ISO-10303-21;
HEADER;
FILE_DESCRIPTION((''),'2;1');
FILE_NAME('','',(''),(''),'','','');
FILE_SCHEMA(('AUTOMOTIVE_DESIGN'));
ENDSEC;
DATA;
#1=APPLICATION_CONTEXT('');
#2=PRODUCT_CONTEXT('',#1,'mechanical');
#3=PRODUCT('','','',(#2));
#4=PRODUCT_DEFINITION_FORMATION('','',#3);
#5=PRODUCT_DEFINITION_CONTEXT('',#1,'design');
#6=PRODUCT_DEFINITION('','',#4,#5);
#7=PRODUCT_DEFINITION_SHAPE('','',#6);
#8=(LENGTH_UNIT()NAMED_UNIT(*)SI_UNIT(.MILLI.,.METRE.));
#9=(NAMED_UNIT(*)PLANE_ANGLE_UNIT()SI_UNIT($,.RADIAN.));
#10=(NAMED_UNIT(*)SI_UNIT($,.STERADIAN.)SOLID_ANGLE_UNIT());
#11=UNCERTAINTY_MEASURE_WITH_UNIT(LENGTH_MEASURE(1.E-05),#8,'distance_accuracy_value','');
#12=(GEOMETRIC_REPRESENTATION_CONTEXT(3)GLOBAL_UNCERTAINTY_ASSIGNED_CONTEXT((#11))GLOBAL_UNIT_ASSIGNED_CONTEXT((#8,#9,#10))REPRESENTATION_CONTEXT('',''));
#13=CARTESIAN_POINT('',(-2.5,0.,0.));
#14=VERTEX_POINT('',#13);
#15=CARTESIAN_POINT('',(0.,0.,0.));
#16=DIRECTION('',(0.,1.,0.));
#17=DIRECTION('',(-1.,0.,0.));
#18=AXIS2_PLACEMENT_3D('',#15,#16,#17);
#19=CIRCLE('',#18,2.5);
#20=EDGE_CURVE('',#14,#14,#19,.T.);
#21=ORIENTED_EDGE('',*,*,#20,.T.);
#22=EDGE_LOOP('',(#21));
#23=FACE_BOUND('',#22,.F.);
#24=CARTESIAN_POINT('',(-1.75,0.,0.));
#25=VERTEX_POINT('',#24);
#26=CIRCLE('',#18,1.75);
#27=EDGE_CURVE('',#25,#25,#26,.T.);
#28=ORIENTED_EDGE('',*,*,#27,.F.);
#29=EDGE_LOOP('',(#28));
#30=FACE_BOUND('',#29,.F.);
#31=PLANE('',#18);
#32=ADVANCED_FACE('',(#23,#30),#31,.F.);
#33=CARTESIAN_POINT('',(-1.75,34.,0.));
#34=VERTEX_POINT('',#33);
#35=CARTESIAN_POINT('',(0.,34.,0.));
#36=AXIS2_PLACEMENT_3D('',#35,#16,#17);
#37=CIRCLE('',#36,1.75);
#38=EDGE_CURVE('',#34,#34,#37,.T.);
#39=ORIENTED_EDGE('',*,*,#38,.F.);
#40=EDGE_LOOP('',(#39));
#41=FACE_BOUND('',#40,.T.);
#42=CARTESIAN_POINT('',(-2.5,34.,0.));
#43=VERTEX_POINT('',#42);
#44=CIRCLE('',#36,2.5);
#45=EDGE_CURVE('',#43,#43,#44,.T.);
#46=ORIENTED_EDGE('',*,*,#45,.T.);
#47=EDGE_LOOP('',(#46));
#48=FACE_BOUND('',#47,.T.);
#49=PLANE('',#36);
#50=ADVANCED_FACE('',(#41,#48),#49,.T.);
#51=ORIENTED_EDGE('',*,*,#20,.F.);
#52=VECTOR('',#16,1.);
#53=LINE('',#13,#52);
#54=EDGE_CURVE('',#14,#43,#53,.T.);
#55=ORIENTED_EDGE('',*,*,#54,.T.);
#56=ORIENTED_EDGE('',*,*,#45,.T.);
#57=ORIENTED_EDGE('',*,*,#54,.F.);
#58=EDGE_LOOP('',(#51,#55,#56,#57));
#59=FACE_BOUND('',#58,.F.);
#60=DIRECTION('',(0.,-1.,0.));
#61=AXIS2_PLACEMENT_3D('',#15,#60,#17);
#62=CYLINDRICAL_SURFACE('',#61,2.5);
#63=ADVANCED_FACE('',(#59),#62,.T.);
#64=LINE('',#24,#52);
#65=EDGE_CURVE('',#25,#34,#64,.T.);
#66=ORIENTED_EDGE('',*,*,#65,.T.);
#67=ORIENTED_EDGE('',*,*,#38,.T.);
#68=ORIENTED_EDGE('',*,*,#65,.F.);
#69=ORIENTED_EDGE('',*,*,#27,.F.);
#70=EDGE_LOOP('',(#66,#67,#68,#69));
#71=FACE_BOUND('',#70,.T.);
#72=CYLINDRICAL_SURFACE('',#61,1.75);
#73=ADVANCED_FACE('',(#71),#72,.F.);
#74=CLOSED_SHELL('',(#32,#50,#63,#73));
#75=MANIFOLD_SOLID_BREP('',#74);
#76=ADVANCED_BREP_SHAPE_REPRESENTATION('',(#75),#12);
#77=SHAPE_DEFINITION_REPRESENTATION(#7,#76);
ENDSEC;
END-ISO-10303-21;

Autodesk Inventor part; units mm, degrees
ref_plane "YZ Plane" through (0, 0, 0) normal (1, 0, 0) x (0, 1, 0)
ref_plane "XZ Plane" through (0, 0, 0) normal (0, 1, 0) x (-1, 0, 0)
ref_plane "XY Plane" through (0, 0, 0) normal (0, 0, 1) x (1, 0, 0)
sketch "Sketch1" plane through (0, 0, 0) normal (0, 1, 0) x (-1, 0, 0)
  circle A0 centre (0, 0) radius 1.75
  circle A1 centre (0, 0) radius 2.5
  dimension "d0" = 3.5
  dimension "d1" = 5
extrude "Extrusion1" add sketch "Sketch1" along normal blind 34
properties part number "sapcer34mm" material "アルミニウム 6061"
